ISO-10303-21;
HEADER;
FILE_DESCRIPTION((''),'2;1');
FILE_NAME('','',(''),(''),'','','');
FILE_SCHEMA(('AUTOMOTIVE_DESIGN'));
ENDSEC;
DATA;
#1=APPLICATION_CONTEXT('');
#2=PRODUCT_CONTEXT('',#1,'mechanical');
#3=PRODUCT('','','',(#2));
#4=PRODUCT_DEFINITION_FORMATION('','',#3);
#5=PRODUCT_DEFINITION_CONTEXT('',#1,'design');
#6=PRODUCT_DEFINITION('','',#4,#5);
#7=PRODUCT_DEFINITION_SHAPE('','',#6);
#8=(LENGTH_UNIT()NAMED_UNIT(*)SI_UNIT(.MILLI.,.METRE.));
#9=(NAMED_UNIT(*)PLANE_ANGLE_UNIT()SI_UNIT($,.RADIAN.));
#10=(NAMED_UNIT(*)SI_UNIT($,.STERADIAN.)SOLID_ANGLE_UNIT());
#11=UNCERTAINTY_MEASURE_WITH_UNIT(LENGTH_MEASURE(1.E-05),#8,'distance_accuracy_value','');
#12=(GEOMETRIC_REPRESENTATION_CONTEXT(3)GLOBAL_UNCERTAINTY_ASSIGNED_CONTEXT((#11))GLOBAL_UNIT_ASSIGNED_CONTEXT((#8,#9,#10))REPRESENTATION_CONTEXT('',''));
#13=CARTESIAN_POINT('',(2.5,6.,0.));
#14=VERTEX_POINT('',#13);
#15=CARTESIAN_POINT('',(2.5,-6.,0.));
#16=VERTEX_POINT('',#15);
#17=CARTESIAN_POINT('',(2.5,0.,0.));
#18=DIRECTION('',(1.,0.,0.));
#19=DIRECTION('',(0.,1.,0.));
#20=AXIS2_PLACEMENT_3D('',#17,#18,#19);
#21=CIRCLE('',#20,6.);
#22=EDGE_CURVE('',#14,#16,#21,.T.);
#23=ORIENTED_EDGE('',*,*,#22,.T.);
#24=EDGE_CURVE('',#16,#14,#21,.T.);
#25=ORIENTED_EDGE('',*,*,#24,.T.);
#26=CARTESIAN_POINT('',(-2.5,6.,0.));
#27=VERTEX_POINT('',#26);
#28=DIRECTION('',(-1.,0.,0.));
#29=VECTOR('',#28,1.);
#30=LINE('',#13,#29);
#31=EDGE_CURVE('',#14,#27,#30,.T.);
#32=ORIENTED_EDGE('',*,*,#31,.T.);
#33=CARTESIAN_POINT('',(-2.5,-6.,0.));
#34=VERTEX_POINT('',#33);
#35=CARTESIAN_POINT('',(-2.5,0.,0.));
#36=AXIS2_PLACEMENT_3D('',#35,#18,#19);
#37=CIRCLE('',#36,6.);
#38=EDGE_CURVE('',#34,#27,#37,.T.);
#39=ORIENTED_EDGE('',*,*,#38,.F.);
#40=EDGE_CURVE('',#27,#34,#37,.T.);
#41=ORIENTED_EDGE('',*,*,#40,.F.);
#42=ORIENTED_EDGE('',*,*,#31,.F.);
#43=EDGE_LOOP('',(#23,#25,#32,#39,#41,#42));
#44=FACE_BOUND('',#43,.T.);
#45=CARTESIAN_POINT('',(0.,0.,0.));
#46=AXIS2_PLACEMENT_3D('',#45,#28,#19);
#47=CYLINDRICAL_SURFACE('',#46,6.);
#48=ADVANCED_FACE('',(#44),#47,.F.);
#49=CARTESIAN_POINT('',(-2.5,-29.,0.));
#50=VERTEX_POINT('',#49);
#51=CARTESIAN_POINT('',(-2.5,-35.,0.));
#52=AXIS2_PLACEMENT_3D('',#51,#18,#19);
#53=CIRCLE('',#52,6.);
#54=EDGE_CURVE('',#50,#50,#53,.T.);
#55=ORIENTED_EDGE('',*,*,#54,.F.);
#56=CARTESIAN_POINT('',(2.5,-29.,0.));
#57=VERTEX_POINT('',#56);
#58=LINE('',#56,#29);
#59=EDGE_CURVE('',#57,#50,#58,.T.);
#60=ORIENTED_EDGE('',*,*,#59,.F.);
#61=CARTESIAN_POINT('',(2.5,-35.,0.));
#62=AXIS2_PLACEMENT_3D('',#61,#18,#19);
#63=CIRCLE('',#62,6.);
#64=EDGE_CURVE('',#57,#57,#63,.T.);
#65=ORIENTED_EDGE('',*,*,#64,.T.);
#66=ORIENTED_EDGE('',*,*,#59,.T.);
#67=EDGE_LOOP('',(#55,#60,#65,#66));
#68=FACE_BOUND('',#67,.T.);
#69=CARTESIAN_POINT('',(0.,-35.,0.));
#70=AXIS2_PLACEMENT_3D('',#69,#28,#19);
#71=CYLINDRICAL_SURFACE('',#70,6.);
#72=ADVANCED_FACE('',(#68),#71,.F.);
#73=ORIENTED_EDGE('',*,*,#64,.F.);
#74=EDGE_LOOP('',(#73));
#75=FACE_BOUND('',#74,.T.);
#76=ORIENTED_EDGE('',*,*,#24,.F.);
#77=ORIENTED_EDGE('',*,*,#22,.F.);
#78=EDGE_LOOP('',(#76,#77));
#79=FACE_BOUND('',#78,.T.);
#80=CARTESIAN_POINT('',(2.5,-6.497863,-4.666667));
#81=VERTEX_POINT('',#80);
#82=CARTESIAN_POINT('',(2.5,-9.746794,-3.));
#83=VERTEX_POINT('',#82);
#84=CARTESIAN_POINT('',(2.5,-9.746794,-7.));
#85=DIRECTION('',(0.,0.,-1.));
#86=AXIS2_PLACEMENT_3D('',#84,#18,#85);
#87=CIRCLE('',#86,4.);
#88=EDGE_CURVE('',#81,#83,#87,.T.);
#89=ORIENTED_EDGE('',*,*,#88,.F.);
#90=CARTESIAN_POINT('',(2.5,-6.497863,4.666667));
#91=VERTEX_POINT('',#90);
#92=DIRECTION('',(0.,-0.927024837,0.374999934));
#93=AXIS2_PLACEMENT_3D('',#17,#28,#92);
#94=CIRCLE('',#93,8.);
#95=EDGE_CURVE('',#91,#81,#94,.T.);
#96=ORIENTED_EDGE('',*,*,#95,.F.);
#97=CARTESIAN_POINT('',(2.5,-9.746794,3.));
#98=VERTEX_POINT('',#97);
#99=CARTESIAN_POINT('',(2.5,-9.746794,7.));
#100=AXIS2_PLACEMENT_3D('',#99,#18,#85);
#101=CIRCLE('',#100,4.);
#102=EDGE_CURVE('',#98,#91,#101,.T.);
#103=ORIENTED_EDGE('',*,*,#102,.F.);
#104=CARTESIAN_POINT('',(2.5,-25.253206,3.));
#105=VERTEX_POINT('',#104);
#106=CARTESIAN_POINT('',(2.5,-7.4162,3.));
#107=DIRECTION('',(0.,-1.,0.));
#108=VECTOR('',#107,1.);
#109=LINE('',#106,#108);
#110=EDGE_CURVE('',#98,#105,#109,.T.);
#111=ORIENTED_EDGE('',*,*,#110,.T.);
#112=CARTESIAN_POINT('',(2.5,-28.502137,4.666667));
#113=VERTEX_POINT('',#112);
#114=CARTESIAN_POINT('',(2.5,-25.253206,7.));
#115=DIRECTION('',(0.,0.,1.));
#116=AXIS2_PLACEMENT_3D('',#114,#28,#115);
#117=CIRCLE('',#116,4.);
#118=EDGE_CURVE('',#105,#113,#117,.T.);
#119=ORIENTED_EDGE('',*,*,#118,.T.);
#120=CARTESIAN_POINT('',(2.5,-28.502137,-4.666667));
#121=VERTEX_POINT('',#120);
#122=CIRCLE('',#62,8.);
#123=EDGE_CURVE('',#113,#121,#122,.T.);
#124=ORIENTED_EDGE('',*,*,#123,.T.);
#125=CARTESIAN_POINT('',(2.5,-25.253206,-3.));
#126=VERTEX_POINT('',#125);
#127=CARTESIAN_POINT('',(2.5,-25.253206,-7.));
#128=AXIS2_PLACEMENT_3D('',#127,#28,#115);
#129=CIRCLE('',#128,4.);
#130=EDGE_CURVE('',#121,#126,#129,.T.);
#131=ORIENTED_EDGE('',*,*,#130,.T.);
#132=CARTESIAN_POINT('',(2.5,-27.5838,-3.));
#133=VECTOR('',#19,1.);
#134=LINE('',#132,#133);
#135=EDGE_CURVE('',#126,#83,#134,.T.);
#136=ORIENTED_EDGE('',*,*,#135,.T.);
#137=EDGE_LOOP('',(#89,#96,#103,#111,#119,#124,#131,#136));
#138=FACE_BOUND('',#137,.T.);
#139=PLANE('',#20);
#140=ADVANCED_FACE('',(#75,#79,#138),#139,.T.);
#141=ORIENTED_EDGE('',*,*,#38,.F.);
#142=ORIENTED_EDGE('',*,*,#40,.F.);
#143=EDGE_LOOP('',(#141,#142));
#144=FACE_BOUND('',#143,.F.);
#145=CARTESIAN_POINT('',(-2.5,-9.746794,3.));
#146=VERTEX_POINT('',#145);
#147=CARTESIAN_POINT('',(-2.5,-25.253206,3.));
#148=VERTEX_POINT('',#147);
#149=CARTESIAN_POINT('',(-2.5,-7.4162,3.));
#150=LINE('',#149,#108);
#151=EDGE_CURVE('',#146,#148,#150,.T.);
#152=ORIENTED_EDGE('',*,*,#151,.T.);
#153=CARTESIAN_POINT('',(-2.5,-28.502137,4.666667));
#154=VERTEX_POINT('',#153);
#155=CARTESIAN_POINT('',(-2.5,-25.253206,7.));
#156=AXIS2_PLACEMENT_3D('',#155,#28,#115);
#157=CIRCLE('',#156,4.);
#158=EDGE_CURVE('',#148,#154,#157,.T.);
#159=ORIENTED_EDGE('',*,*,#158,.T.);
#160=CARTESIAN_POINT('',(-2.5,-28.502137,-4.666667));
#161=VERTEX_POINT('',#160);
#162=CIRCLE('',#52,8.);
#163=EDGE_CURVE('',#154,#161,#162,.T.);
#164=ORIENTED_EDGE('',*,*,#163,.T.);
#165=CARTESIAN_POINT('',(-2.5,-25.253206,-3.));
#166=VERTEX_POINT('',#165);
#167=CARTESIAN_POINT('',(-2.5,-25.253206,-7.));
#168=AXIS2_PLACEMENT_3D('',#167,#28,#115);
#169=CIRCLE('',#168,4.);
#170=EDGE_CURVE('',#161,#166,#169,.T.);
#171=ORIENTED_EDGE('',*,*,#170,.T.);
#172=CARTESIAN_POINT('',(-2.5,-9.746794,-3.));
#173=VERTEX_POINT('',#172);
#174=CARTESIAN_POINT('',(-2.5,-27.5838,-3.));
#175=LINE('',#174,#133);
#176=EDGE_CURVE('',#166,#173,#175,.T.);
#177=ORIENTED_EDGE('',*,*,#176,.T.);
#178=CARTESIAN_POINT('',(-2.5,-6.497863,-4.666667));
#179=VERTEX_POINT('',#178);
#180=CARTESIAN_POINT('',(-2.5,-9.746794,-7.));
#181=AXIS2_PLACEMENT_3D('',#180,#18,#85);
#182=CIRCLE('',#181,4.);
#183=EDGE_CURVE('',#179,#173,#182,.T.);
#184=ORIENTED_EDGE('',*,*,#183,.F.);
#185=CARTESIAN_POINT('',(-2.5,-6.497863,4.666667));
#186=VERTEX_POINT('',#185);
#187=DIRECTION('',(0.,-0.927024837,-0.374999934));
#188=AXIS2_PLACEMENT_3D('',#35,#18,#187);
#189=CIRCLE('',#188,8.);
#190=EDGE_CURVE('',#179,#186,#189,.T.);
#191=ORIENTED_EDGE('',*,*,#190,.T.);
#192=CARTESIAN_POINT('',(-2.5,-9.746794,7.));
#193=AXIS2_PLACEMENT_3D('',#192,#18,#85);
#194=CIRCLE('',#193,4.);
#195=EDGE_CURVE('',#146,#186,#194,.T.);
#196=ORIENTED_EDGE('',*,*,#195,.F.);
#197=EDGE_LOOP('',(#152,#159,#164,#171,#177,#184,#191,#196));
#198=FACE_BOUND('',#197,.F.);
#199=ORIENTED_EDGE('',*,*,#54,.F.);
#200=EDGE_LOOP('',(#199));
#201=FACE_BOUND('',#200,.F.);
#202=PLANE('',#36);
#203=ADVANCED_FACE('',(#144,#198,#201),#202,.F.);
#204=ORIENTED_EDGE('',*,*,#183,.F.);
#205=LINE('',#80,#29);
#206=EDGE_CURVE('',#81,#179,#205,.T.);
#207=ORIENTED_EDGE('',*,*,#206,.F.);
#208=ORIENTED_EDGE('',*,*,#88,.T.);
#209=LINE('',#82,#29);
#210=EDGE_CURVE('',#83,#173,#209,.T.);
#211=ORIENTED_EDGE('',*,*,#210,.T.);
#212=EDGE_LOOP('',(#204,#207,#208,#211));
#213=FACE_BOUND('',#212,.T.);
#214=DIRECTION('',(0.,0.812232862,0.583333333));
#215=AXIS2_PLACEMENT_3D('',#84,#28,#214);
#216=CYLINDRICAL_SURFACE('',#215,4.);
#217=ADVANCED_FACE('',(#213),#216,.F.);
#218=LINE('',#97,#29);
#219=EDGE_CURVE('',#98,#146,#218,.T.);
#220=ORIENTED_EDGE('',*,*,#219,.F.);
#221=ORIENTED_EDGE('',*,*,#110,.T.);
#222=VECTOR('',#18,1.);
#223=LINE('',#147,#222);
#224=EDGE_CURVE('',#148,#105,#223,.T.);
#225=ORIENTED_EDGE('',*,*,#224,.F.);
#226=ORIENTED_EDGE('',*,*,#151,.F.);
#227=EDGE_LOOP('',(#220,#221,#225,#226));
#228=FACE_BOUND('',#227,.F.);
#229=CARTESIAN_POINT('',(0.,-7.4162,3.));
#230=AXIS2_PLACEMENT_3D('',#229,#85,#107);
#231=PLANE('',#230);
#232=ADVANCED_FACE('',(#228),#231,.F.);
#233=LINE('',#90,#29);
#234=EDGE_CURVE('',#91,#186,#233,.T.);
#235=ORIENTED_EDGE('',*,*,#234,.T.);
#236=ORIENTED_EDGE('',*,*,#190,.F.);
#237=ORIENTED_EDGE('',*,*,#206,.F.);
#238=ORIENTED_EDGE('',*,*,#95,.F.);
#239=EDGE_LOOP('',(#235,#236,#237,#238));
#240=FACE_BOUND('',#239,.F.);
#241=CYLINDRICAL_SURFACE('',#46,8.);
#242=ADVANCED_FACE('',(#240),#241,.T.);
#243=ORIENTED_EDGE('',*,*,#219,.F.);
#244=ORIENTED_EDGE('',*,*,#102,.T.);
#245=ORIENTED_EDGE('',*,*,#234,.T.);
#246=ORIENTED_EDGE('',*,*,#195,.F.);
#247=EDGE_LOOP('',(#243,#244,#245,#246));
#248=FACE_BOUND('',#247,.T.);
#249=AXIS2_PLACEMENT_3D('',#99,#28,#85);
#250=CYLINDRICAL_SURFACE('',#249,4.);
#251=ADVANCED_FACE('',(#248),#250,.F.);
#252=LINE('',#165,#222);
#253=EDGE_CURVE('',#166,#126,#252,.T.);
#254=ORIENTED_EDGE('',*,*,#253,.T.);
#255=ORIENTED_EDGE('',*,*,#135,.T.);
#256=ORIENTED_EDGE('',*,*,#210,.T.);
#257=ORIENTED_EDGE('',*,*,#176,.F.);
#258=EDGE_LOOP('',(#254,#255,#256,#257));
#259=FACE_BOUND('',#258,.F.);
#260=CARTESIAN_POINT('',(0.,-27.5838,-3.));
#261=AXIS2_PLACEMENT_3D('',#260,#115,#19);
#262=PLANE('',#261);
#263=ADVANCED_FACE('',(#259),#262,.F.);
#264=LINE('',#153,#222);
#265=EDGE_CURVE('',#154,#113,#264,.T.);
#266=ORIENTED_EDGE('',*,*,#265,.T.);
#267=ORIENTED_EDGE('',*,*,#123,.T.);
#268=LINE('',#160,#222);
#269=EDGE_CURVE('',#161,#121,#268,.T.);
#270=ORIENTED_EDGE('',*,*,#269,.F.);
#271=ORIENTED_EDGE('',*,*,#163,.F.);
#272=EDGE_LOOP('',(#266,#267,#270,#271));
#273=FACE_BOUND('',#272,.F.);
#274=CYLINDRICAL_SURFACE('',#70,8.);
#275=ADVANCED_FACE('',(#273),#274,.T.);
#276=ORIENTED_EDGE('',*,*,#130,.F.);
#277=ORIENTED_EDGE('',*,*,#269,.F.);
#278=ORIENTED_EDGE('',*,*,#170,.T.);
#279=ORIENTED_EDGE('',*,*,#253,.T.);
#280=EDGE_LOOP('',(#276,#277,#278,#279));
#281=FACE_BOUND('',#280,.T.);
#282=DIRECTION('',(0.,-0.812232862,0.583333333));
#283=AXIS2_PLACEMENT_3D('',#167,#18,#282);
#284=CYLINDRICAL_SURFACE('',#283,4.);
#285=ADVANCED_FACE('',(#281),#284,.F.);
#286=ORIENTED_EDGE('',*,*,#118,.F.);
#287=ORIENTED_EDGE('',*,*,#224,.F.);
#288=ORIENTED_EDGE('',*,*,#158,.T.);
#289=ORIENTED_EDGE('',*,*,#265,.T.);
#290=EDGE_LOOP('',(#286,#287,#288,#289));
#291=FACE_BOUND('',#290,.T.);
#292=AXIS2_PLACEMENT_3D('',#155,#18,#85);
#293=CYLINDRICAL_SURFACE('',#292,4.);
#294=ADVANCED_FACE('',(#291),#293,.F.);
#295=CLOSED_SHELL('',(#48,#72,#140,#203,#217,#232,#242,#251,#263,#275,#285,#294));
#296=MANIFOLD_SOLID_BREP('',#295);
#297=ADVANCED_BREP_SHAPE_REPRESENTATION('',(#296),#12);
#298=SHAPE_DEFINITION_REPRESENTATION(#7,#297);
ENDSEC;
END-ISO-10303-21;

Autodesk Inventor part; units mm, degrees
ref_plane "YZ Plane" through (0, 0, 0) normal (1, 0, 0) x (0, 1, 0)
ref_plane "XZ Plane" through (0, 0, 0) normal (0, 1, 0) x (-1, 0, 0)
ref_plane "XY Plane" through (0, 0, 0) normal (0, 0, 1) x (1, 0, 0)
sketch "草圖1" plane through (0, 0, 0) normal (1, 0, 0) x (0, 1, 0)
  line L0 (0, 0) -> (-35, 0)
  circle A0 centre (0, 0) radius 6
  circle A1 centre (-35, 0) radius 6
  circle A2 centre (0, 0) radius 8
  circle A3 centre (-35, 0) radius 8
  line L1 (-7.4162, 3) -> (-27.5838, 3)
  line L2 (-27.5838, -3) -> (-7.4162, -3)
  dimension "d0" = 35
  dimension "d1" = 12
  dimension "d2" = 12
  dimension "d3" = 16
  dimension "d4" = 16
  dimension "d5" = 3
  dimension "d6" = 3
extrude "擠出1" add sketch "草圖1" along normal mid plane 5
fillet "圓角1" radius 4 4 edges at (0, -7.4162, 3) (0, -27.5838, 3) (0, -7.4162, -3) (0, -27.5838, -3)
equation "\"d2\" = d1"
equation "\"d4\" = d3"
equation "\"d6\" = d5"
properties part number "Link_GH" material "ABS 塑膠"
